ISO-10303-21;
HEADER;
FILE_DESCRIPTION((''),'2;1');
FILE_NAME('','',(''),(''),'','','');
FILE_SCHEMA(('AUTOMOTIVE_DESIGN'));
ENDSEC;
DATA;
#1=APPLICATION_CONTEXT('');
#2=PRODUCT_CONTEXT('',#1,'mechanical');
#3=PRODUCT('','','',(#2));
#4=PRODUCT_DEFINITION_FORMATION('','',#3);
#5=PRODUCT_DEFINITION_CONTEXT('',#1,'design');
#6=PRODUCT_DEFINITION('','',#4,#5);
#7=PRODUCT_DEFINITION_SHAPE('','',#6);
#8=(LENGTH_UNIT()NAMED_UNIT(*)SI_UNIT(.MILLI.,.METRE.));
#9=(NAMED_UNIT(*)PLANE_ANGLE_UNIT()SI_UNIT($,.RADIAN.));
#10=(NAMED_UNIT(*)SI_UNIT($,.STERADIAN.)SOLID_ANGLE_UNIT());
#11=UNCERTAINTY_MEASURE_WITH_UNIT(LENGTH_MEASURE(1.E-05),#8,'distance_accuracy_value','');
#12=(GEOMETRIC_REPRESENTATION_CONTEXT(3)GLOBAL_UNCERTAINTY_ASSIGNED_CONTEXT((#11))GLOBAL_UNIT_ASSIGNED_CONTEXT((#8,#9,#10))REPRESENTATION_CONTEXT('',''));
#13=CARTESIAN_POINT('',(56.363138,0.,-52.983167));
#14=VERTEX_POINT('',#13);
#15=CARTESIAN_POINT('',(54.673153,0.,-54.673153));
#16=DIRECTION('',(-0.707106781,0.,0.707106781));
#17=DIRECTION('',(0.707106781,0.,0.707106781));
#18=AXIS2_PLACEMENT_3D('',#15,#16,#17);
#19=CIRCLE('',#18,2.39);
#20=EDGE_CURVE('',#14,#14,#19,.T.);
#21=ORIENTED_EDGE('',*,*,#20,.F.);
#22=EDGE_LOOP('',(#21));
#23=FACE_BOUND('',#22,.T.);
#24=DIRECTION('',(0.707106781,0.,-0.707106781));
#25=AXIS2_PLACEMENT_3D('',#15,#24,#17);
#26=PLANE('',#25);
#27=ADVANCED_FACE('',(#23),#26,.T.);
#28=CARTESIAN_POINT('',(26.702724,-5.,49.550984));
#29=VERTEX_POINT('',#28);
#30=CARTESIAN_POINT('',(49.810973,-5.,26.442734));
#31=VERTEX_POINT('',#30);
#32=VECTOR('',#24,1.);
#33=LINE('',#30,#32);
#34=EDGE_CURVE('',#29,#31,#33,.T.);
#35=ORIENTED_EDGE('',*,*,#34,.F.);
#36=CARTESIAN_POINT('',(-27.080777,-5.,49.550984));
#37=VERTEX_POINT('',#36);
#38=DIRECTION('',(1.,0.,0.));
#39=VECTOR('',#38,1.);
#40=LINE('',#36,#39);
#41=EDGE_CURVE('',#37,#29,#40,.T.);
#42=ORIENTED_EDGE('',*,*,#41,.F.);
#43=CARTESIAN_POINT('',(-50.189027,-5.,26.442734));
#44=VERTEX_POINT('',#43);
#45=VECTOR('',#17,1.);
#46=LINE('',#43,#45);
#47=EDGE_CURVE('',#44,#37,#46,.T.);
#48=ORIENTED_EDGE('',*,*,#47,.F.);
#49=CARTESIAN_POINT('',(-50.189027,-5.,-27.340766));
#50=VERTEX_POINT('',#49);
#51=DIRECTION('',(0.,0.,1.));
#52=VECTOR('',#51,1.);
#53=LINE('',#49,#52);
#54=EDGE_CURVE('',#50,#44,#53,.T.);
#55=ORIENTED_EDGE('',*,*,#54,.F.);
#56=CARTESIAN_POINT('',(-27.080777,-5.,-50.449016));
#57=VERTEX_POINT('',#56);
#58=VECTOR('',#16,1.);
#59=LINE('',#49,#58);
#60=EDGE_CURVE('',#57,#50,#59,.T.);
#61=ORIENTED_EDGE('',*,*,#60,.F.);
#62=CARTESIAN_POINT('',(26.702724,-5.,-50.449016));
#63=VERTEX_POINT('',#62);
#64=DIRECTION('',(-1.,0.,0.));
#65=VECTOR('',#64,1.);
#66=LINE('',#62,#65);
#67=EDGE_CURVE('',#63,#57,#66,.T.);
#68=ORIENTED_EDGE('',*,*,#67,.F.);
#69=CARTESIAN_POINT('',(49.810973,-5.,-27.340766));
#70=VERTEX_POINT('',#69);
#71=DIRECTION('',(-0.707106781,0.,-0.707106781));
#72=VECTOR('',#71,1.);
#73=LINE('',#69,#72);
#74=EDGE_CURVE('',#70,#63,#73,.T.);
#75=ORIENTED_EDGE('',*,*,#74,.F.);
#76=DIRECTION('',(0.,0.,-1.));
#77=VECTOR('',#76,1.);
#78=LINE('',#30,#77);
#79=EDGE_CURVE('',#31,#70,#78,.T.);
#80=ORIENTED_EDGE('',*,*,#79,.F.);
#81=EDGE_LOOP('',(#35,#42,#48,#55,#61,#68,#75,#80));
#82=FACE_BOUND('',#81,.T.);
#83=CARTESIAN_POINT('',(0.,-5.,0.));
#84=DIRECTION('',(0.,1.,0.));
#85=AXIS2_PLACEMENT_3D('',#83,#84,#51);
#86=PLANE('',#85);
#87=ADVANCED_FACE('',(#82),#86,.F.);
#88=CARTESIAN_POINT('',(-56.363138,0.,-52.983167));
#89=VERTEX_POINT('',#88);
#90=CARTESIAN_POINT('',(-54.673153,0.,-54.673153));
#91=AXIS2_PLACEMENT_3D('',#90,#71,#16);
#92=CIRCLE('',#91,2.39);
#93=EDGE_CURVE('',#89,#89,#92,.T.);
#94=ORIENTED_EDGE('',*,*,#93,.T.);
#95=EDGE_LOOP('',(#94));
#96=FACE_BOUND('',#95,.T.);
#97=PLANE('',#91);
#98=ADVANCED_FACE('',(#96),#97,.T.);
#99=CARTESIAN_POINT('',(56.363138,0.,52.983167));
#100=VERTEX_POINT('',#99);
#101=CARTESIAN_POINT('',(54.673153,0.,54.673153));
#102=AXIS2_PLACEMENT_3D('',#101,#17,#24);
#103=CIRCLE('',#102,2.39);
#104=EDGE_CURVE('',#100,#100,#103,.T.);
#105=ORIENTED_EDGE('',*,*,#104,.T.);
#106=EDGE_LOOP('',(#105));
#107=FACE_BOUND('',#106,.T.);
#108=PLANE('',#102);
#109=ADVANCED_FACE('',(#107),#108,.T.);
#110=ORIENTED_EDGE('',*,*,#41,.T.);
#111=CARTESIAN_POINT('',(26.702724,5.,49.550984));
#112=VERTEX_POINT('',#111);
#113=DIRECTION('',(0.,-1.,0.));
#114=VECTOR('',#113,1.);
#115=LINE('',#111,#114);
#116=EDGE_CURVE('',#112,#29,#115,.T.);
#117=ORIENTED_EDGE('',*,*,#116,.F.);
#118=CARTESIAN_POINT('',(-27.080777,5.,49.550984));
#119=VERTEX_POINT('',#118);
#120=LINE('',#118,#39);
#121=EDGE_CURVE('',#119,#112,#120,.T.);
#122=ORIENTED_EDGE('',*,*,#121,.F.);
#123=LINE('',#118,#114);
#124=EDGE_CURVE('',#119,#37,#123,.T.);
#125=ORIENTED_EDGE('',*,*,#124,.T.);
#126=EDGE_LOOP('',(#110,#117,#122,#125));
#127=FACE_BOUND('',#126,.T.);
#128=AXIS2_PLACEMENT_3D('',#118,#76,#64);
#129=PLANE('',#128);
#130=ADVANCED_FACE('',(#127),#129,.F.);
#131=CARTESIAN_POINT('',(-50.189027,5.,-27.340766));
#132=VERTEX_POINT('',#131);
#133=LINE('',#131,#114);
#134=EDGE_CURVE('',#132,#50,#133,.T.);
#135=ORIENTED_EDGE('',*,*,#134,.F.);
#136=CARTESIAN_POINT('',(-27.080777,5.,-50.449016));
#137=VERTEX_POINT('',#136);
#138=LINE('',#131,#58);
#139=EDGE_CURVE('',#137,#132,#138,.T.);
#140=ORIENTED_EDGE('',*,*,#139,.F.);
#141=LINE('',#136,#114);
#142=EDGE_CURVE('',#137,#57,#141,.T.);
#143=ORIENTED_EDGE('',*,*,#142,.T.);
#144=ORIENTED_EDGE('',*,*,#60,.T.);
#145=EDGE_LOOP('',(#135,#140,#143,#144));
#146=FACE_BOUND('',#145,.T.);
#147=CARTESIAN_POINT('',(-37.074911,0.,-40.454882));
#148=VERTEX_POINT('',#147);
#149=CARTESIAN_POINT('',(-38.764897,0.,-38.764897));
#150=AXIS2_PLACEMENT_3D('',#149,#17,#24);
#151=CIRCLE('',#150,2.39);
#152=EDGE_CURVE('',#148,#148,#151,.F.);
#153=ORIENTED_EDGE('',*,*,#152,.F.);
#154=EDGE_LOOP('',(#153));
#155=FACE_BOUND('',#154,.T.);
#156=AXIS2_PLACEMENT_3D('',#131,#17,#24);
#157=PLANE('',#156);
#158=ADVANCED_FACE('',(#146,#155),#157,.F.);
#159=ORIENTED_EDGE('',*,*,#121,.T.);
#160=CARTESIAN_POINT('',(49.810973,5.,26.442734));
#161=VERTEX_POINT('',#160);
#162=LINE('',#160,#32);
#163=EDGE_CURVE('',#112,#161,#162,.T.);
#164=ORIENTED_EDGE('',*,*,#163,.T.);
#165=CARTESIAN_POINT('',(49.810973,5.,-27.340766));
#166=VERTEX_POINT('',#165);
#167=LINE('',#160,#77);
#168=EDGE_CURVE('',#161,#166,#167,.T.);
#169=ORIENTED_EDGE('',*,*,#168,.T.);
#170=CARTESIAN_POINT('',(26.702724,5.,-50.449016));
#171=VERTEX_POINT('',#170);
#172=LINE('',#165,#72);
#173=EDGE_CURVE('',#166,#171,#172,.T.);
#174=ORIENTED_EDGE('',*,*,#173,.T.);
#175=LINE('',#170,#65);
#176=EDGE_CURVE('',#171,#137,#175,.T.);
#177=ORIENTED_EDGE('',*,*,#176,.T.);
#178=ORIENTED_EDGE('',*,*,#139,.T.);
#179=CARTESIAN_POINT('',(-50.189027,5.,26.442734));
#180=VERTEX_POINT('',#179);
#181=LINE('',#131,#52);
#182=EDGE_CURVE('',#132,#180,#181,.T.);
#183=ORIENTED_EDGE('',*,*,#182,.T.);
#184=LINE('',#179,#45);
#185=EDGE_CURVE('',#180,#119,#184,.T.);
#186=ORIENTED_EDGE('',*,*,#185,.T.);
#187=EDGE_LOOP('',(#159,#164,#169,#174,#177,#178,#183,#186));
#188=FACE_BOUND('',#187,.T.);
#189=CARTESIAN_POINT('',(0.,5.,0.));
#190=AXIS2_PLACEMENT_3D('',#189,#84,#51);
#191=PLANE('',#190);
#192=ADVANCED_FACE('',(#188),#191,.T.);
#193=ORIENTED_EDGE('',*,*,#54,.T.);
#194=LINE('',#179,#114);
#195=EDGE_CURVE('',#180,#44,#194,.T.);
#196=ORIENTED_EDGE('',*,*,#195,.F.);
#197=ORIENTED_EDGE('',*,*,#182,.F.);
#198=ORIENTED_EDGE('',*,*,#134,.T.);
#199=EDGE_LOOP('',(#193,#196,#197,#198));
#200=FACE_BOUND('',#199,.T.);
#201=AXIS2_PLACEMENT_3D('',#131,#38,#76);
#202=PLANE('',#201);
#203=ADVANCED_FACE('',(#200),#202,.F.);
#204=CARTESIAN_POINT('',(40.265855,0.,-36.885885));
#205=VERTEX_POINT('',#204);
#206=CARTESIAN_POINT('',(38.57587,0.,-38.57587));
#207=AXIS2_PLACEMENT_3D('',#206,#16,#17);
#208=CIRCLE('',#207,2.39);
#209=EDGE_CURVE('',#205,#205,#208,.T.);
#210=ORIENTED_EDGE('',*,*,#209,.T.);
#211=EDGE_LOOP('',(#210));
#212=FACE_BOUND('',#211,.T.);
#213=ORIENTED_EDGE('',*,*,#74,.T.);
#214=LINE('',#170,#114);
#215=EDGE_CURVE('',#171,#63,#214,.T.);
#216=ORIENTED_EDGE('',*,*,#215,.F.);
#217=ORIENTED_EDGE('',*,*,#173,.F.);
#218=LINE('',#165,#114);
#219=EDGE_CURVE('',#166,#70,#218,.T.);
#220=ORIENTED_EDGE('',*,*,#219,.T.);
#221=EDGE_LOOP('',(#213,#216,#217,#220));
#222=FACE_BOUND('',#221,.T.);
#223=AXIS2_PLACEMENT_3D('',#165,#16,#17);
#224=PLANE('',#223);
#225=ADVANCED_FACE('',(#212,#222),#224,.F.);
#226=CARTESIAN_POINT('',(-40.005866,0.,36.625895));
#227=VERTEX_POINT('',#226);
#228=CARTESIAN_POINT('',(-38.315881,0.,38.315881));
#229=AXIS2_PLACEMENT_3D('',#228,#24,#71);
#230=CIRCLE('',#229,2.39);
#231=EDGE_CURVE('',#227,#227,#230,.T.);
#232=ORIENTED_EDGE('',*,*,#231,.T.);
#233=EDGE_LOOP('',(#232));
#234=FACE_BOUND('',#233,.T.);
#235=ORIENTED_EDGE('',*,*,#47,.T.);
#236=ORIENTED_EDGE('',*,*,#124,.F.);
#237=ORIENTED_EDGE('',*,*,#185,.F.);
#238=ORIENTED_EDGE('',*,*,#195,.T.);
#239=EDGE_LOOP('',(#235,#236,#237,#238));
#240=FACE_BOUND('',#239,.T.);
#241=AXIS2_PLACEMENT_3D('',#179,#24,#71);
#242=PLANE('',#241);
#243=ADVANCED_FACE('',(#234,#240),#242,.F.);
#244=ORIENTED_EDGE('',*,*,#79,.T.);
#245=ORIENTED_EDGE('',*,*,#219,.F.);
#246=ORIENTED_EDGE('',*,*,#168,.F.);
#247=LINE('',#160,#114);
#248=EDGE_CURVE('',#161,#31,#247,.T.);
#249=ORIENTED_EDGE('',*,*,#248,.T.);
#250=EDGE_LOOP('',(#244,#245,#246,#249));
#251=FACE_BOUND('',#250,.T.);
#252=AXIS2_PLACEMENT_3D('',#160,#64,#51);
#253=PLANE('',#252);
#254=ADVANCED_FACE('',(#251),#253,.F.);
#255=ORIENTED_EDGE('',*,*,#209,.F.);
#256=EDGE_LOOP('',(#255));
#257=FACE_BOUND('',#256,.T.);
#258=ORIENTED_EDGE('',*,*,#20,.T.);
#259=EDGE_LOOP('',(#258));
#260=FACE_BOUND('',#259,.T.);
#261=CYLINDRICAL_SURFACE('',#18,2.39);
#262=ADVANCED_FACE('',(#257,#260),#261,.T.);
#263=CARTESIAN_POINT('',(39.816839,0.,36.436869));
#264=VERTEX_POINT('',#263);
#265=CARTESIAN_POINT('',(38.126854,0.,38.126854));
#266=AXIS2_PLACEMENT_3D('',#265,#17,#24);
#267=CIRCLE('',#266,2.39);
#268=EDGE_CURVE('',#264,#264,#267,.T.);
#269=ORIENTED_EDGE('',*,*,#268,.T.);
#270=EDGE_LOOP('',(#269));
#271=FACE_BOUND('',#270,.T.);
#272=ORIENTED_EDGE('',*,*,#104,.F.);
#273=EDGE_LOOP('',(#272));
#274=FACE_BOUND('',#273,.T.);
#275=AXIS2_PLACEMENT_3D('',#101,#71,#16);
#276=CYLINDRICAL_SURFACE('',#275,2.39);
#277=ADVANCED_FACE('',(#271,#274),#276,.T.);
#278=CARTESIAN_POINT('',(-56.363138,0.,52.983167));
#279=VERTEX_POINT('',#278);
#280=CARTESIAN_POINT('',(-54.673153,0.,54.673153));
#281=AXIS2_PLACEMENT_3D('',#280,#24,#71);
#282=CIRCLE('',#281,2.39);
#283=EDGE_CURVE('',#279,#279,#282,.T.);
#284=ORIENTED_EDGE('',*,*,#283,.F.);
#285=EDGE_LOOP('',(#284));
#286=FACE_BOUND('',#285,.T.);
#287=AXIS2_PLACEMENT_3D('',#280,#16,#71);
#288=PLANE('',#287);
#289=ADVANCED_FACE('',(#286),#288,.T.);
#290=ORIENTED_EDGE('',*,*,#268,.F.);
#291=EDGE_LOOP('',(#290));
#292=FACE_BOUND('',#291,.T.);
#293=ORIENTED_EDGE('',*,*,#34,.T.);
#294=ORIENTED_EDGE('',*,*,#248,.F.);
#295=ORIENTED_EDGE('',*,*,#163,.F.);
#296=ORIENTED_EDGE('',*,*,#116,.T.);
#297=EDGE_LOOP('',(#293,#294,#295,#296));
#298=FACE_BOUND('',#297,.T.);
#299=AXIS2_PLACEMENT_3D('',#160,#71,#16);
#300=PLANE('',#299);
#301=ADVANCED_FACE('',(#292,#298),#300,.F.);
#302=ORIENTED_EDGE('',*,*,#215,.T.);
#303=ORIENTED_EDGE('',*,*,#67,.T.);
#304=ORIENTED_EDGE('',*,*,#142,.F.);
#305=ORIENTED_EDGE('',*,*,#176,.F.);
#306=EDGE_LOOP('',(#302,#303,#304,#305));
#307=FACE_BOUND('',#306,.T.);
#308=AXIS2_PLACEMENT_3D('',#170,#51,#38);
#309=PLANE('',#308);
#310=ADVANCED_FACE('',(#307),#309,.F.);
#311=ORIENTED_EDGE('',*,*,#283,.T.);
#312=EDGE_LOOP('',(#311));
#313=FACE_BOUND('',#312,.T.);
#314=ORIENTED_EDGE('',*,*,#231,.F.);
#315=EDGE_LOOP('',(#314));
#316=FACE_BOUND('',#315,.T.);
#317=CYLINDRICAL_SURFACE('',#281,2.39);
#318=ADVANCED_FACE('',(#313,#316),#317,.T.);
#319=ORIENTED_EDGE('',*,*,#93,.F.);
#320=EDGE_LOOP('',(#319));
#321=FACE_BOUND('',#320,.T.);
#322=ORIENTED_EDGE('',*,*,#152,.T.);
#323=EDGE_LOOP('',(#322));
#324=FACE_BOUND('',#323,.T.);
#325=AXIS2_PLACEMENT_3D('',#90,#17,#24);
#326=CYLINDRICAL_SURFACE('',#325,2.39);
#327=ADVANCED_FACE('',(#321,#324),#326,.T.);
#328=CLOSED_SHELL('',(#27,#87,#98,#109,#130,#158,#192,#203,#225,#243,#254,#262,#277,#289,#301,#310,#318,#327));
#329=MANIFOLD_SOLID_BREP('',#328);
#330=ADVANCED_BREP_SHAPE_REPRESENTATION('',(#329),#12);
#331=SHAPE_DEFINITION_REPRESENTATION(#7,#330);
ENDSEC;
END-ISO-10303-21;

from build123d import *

# Parameters (mm, degrees)
BOSS_EXTRUDE1_DEPTH     = 5
SKETCH3_R               = 2.39
BOSS_EXTRUDE2_DEPTH     = 23.4
MIRROR3_COPY_1_SKETCH_R = 2.39
MIRROR3_COPY_1_DEPTH    = 23.4


with BuildPart() as part:
    # Sketch2 → Boss-Extrude1 (new, symmetric)
    with BuildSketch(Plane(origin=(0, 0, 0), x_dir=(1, 0, 0), z_dir=(0, 1, 0))):
        Polygon((-50.18902685, 27.340766285), (-50.18902685, -26.442734497), (-27.080777241, -49.550984106), (26.70272354, -49.550984106), (49.81097315, -26.442734497), (49.81097315, 27.340766285), (26.70272354, 50.449015894), (-27.080777241, 50.449015894), align=None)
    extrude(amount=BOSS_EXTRUDE1_DEPTH, both=True)

    # Sketch3 → Boss-Extrude2 (add)
    with BuildSketch(Plane(origin=(38.126853823, 0, 38.126853823), x_dir=(0.7071067811865475, 0, -0.7071067811865477), z_dir=(0.7071067811865477, 0, 0.7071067811865475))):
        Circle(SKETCH3_R)
    boss_extrude2 = extrude(amount=BOSS_EXTRUDE2_DEPTH)

    # Mirror2: Boss-Extrude2 across plane
    add(boss_extrude2.mirror(Plane(origin=(0, 0, 0), x_dir=(0, 0, 1), z_dir=(1, 0, 0))))

    # Mirror3: Boss-Extrude2 across plane
    add(boss_extrude2.mirror(Plane.XY))

    # Mirror3 copy 1 sketch → Mirror3 copy 1 (add)
    with BuildSketch(Plane(origin=(-38.126853823, 0, -38.126853823), x_dir=(-0.7071067811865475, 0, 0.7071067811865477), z_dir=(-0.7071067811865477, 0, -0.7071067811865475))):
        Circle(MIRROR3_COPY_1_SKETCH_R)
    extrude(amount=MIRROR3_COPY_1_DEPTH)


solid = part.part
